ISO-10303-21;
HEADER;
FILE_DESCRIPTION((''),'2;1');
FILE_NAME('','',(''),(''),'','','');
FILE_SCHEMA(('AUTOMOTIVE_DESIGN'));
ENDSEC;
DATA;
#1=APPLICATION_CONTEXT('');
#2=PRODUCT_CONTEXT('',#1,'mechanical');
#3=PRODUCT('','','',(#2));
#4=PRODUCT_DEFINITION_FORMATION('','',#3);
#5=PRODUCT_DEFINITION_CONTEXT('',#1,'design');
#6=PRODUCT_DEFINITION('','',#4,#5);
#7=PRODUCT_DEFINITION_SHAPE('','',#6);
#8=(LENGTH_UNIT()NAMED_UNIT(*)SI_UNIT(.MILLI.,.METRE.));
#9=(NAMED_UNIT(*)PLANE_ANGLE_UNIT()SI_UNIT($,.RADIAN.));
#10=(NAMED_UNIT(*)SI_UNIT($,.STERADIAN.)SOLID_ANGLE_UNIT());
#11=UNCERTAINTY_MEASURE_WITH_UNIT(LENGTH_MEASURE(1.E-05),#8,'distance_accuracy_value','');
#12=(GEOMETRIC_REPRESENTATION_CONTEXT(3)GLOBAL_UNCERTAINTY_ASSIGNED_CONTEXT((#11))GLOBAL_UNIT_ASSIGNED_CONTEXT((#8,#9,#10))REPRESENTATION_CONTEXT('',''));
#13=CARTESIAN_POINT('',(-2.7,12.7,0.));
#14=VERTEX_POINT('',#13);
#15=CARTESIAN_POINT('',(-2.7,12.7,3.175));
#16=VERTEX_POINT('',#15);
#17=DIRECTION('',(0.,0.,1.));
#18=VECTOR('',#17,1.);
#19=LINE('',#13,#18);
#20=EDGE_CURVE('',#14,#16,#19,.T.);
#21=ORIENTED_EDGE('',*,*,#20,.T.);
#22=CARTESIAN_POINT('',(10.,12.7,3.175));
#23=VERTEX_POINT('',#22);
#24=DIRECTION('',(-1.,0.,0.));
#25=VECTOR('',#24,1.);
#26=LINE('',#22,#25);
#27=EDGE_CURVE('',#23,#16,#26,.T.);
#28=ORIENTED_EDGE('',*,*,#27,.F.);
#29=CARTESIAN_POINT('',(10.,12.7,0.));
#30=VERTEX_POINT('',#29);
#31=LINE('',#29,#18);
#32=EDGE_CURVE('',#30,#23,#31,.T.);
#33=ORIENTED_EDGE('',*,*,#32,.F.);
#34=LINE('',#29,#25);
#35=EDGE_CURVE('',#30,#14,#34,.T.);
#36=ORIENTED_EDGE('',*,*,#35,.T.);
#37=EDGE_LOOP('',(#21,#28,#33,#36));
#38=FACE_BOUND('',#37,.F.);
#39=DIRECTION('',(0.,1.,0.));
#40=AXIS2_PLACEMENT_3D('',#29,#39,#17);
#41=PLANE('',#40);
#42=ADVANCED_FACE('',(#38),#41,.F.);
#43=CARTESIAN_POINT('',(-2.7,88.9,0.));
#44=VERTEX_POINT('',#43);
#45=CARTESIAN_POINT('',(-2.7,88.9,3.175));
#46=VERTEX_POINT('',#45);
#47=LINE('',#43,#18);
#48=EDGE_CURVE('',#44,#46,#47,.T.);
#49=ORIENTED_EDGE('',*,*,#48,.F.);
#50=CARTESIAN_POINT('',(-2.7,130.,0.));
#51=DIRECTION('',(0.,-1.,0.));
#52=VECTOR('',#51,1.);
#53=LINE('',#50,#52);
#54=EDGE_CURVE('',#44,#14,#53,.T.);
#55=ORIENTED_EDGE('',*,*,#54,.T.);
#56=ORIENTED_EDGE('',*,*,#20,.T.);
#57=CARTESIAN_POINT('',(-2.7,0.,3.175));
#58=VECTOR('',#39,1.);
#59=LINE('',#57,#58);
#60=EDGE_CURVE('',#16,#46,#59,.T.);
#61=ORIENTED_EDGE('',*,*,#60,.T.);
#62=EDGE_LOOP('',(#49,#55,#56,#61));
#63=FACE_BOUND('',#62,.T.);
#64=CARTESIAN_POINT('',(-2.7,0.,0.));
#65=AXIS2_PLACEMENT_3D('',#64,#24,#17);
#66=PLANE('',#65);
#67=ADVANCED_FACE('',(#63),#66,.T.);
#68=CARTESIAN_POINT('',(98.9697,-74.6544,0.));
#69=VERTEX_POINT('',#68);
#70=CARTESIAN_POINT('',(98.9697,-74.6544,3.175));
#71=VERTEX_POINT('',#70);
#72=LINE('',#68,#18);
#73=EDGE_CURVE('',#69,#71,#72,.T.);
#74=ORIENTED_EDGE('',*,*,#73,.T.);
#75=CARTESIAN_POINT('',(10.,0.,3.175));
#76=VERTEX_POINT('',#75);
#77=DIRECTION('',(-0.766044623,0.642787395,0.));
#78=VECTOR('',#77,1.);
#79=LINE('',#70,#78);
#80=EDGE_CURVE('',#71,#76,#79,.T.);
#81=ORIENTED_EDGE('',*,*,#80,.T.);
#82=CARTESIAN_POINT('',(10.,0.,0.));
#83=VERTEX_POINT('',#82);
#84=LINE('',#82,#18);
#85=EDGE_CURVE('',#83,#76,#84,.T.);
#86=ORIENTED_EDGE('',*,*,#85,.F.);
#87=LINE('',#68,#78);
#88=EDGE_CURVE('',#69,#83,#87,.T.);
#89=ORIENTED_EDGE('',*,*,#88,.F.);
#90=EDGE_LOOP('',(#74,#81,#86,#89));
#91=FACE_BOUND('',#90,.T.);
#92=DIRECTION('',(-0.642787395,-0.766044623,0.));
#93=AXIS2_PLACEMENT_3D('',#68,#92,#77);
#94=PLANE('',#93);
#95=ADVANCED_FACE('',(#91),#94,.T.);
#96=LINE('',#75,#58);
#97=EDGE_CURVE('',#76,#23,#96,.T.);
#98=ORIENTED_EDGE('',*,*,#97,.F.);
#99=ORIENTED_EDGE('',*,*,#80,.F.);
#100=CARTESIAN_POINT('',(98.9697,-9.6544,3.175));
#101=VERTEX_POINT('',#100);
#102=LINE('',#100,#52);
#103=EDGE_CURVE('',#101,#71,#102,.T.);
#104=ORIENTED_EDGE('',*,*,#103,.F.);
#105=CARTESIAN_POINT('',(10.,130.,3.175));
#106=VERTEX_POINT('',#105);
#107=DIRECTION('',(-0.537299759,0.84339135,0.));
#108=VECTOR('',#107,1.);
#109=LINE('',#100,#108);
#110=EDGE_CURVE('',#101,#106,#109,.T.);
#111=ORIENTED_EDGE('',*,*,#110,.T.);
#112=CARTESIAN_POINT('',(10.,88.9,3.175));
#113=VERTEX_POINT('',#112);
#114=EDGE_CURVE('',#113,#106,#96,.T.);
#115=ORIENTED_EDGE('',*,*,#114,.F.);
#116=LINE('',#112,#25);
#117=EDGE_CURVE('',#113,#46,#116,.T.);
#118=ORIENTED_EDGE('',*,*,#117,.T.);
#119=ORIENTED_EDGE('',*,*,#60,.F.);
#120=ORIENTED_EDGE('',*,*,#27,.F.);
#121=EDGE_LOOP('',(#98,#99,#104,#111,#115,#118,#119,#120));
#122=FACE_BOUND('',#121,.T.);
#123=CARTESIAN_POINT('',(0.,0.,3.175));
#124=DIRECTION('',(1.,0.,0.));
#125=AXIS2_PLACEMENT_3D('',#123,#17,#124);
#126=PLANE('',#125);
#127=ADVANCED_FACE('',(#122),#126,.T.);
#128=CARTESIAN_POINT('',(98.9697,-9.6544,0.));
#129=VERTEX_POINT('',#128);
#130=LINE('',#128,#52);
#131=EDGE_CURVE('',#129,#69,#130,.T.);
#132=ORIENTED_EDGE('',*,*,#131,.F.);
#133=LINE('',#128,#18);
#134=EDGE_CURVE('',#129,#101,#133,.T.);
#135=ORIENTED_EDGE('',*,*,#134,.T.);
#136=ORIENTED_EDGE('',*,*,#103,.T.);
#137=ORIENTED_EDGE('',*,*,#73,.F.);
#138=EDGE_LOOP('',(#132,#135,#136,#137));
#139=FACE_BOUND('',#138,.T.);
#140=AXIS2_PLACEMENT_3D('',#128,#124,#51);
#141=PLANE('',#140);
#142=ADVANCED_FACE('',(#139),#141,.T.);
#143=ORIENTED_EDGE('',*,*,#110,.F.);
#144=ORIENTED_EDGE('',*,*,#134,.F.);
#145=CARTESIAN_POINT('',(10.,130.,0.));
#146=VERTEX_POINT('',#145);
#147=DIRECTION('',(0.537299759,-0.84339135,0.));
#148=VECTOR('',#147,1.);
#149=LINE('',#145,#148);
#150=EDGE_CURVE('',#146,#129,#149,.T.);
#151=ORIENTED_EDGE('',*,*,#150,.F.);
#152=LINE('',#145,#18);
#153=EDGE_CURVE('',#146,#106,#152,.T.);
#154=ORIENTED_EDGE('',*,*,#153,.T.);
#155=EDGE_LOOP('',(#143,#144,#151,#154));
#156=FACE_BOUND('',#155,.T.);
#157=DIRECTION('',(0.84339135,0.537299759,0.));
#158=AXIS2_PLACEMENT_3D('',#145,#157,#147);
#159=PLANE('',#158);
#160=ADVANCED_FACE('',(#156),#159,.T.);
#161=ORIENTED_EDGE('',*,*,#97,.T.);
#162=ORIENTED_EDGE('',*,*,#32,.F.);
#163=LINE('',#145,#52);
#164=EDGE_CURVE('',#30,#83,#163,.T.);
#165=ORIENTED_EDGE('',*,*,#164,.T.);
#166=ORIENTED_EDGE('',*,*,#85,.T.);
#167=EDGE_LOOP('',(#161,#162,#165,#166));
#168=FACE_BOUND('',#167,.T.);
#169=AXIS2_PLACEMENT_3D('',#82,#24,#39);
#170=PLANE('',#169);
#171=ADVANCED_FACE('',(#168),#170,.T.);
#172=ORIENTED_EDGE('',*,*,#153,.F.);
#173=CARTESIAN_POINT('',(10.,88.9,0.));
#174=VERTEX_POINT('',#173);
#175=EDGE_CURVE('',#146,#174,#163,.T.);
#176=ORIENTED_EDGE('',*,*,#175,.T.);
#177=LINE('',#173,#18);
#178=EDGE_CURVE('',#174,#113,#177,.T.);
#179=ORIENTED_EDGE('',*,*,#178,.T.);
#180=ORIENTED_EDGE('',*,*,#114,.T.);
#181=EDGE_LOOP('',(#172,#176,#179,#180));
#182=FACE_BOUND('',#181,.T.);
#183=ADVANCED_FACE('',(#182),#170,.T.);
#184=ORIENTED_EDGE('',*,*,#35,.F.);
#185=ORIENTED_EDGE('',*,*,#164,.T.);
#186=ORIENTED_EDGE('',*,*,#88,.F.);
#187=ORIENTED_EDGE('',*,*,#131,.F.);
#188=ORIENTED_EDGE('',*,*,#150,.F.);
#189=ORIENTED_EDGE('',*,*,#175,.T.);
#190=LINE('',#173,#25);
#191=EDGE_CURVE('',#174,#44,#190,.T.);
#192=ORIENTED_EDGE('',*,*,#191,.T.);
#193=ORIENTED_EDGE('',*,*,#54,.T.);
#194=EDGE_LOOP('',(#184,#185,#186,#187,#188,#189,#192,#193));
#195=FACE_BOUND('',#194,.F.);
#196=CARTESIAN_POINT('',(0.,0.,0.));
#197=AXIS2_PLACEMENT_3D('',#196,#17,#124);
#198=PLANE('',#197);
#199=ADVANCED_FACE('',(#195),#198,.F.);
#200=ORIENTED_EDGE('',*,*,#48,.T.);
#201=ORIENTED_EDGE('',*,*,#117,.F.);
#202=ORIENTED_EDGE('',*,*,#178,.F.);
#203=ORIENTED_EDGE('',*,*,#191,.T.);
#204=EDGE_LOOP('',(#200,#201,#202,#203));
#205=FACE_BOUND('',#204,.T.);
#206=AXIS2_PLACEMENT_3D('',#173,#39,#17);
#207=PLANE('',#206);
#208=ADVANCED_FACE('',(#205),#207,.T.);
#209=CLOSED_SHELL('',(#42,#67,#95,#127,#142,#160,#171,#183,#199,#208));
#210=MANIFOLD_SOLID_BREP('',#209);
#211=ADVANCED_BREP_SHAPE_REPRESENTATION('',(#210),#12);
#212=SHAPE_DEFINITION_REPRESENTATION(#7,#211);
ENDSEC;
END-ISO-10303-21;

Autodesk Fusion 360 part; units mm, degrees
sketch "Sketch1" plane through (0, 0, 0) normal (0, 0, 1) x (1, 0, 0)
  line L0 (0, 6.35) -> (0, 0)
  line L1 (0, 0) -> (76.2, 0)
  line L2 (76.2, 0) -> (76.2, 31.75)
  line L3 (76.2, 31.75) -> (0, 88.9)
  line L4 (0, 88.9) -> (0, 82.55)
  line L5 (0, 82.55) -> (-20.828, 82.55)
  line L6 (-20.828, 82.55) -> (-20.828, 6.35)
  line L7 (-20.828, 6.35) -> (0, 6.35)
  line L8 (10, 0) -> (10, 130)
  line L9 (-221.1749, 94.6346) -> (-221.1749, -30.5637)
  line L10 (10, 130) -> (98.9697, -9.6544)
  line L11 (98.9697, -9.6544) -> (98.9697, -74.6544)
  line L12 (98.9697, -74.6544) -> (10, 0)
  dimension "d1" = 10
  dimension "d12" = 130
  dimension "d15" = 32.5
  dimension "d18" = 130
  dimension "d22" = 65
extrude "Extrude1" add sketch "Sketch1" along normal blind 3.175 contours L1 L2 L3 L8 L10 | L1 L2 L10 L11 L12 | L3 L8 L10 makes body 1
copy_body "Body->Comp1" bodies 1 removing the originals makes body 2 in component "Component"
sketch "Sketch3" plane through (10, 0, 0) normal (-1, 0, 0) x (0, 0, 1)
  line L0 (0, 130) -> (0, 0)
  line L1 (0, 0) -> (3.175, 0)
  line L2 (3.175, 0) -> (3.175, 130)
  line L3 (0, 12.7) -> (3.175, 12.7)
  line L4 (0, 88.9) -> (3.175, 88.9)
  line L5 (3.175, 130) -> (0, 130)
  dimension "d20" = 12.7
  dimension "d21" = 76.2
extrude "Extrude1'" add sketch "Sketch3" along normal blind 12.7 contours L0 L2 L3 L4 bodies 2 in component "Component"
component "Component" placed x (1, 0, 0) y (0, 1, 0) z (0, 0, 1) at (0, 0, 0)
equation "d2 = ( 1 / 8 ) * 1 in"
